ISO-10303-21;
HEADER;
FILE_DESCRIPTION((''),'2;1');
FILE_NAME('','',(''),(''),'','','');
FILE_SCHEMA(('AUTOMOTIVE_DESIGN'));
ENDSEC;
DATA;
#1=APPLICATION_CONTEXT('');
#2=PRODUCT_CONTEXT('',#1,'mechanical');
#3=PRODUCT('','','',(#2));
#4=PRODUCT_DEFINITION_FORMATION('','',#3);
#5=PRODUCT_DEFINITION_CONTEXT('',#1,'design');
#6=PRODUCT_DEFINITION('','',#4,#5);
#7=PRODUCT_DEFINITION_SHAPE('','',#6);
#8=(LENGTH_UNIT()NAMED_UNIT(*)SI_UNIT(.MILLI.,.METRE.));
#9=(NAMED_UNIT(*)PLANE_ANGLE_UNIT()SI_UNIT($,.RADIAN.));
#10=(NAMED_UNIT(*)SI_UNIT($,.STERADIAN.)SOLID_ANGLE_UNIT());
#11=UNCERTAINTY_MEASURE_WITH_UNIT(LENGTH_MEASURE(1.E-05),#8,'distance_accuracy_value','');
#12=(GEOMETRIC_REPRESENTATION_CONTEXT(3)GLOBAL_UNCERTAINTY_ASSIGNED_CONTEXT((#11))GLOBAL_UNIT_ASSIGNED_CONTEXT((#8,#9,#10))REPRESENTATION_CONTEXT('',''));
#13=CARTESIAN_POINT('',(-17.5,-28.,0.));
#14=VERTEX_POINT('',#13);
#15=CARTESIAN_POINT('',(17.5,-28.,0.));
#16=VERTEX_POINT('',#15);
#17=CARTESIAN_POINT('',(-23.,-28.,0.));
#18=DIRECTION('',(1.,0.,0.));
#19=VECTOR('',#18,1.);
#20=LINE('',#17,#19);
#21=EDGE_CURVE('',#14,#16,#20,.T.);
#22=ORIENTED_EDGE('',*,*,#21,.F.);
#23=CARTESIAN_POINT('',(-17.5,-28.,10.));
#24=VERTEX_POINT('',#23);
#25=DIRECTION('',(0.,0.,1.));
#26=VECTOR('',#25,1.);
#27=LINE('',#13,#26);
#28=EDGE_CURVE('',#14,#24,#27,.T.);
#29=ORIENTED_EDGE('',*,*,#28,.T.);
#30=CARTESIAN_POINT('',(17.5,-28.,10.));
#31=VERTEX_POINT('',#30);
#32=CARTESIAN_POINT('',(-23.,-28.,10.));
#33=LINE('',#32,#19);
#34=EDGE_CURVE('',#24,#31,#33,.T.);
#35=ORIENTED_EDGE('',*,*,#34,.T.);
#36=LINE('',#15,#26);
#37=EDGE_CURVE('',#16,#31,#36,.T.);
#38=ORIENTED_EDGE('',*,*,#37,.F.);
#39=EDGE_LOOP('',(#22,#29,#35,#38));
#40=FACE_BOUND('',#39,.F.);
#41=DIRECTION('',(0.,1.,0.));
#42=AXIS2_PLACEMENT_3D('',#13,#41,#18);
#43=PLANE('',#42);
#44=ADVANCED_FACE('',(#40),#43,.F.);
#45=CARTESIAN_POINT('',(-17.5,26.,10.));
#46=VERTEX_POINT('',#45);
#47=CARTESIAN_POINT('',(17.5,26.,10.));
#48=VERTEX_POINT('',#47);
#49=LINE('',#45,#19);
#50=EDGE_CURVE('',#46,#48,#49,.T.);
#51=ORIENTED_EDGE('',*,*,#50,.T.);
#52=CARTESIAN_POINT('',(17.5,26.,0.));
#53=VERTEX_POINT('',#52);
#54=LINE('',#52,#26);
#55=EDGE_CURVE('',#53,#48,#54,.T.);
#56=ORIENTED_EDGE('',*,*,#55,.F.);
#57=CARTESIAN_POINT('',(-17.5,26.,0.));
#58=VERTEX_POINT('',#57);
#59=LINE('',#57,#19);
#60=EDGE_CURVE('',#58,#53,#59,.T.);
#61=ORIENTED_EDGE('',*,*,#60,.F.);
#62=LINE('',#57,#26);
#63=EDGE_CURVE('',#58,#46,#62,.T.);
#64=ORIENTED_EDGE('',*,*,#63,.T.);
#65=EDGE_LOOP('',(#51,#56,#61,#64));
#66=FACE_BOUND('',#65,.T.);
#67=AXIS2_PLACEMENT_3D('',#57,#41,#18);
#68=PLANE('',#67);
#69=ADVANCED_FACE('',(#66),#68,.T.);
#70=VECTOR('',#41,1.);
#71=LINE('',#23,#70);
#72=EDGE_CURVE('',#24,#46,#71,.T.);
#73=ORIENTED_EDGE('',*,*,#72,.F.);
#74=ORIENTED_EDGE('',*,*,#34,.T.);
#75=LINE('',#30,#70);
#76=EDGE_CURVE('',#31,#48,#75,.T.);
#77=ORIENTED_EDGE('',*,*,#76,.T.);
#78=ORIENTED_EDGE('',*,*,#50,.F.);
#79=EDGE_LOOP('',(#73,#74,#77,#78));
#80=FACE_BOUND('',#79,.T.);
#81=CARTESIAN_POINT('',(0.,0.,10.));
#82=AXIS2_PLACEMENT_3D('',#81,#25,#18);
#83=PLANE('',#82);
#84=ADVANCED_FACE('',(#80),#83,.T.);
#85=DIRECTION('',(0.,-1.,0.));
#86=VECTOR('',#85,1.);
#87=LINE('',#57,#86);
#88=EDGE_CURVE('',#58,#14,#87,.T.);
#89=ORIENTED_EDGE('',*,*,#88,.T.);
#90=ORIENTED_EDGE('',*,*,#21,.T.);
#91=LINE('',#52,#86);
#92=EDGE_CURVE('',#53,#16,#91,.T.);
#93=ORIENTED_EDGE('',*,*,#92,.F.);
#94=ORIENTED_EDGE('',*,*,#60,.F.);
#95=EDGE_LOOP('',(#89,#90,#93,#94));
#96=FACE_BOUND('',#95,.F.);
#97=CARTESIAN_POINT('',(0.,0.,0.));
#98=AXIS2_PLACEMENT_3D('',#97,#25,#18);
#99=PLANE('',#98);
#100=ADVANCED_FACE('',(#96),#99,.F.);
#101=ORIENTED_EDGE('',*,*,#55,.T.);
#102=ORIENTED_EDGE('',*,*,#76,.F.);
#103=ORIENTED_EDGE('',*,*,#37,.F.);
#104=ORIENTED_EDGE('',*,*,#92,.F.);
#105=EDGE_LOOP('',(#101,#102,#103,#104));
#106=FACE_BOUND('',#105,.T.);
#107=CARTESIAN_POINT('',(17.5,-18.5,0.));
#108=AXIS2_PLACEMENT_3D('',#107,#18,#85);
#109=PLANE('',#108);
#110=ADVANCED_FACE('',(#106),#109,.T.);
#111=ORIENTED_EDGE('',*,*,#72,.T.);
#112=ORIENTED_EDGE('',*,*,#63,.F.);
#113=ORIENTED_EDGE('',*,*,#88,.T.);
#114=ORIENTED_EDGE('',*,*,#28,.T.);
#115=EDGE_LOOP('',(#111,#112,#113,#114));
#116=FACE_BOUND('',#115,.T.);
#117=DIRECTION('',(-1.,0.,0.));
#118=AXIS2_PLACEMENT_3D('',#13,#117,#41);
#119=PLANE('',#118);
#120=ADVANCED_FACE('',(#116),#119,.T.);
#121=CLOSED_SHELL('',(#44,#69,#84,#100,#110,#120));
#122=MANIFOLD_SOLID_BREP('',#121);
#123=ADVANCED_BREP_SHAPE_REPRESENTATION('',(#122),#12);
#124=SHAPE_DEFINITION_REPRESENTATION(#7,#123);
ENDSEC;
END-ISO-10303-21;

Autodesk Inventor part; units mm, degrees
ref_plane "YZ Plane" through (0, 0, 0) normal (1, 0, 0) x (0, 1, 0)
ref_plane "XZ Plane" through (0, 0, 0) normal (0, 1, 0) x (-1, 0, 0)
ref_plane "XY Plane" through (0, 0, 0) normal (0, 0, 1) x (1, 0, 0)
sketch "Skizze1" plane through (0, 0, 0) normal (0, 0, 1) x (1, 0, 0)
  line L0 (-23, -28) -> (23, -28) projected
  line L1 (23, -28) -> (23, -18.5) projected
  line L2 (23, -18.5) -> (12.0668, -18.5) projected
  line L3 (12.0668, -18.5) -> (12.0668, -10.5) projected
  line L4 (12.0668, -10.5) -> (23, -10.5) projected
  line L5 (23, -10.5) -> (23, 33.5) projected
  line L6 (-23, 33.5) -> (-23, -13.75) projected
  line L7 (-23, -13.75) -> (-11.9215, -13.75) projected
  line L8 (-11.9215, -13.75) -> (-11.9215, -19.25) projected
  line L9 (-11.9215, -19.25) -> (-23, -19.25) projected
  line L10 (-23, -19.25) -> (-23, -28) projected
  line L11 (17.5, -28) -> (-17.5, -28)
  line L12 (-17.5, -28) -> (-17.5, 26)
  line L13 (-17.5, 26) -> (17.5, 26)
  line L14 (17.5, 26) -> (17.5, -28)
  line L15 (1.2993, 33.5) -> (1.2993, 28.5) projected
  line L16 (1.2993, 28.5) -> (-14.2007, 28.5) projected
  line L17 (-14.2007, 28.5) -> (-14.2007, 33.5) projected
  line L18 (-14.2007, 33.5) -> (-23, 33.5) projected
  line L19 (23, 33.5) -> (1.2993, 33.5) projected
  circle A0 centre (-20, 29) radius 1 projected
  circle A1 centre (20, 29) radius 1 projected
  point P0 (0, 0)
  dimension "d0" = 54
  dimension "d1" = 5.5
  dimension "d2" = 5.5
extrude "Extrusion1" add sketch "Skizze1" along normal blind 10 contours L12 L9 L8 L7 L13 L14 L4 L3 L2 L0 | L12 L7 L8 L9 | L2 L3 L4 L14
properties part number "02_Akku"
